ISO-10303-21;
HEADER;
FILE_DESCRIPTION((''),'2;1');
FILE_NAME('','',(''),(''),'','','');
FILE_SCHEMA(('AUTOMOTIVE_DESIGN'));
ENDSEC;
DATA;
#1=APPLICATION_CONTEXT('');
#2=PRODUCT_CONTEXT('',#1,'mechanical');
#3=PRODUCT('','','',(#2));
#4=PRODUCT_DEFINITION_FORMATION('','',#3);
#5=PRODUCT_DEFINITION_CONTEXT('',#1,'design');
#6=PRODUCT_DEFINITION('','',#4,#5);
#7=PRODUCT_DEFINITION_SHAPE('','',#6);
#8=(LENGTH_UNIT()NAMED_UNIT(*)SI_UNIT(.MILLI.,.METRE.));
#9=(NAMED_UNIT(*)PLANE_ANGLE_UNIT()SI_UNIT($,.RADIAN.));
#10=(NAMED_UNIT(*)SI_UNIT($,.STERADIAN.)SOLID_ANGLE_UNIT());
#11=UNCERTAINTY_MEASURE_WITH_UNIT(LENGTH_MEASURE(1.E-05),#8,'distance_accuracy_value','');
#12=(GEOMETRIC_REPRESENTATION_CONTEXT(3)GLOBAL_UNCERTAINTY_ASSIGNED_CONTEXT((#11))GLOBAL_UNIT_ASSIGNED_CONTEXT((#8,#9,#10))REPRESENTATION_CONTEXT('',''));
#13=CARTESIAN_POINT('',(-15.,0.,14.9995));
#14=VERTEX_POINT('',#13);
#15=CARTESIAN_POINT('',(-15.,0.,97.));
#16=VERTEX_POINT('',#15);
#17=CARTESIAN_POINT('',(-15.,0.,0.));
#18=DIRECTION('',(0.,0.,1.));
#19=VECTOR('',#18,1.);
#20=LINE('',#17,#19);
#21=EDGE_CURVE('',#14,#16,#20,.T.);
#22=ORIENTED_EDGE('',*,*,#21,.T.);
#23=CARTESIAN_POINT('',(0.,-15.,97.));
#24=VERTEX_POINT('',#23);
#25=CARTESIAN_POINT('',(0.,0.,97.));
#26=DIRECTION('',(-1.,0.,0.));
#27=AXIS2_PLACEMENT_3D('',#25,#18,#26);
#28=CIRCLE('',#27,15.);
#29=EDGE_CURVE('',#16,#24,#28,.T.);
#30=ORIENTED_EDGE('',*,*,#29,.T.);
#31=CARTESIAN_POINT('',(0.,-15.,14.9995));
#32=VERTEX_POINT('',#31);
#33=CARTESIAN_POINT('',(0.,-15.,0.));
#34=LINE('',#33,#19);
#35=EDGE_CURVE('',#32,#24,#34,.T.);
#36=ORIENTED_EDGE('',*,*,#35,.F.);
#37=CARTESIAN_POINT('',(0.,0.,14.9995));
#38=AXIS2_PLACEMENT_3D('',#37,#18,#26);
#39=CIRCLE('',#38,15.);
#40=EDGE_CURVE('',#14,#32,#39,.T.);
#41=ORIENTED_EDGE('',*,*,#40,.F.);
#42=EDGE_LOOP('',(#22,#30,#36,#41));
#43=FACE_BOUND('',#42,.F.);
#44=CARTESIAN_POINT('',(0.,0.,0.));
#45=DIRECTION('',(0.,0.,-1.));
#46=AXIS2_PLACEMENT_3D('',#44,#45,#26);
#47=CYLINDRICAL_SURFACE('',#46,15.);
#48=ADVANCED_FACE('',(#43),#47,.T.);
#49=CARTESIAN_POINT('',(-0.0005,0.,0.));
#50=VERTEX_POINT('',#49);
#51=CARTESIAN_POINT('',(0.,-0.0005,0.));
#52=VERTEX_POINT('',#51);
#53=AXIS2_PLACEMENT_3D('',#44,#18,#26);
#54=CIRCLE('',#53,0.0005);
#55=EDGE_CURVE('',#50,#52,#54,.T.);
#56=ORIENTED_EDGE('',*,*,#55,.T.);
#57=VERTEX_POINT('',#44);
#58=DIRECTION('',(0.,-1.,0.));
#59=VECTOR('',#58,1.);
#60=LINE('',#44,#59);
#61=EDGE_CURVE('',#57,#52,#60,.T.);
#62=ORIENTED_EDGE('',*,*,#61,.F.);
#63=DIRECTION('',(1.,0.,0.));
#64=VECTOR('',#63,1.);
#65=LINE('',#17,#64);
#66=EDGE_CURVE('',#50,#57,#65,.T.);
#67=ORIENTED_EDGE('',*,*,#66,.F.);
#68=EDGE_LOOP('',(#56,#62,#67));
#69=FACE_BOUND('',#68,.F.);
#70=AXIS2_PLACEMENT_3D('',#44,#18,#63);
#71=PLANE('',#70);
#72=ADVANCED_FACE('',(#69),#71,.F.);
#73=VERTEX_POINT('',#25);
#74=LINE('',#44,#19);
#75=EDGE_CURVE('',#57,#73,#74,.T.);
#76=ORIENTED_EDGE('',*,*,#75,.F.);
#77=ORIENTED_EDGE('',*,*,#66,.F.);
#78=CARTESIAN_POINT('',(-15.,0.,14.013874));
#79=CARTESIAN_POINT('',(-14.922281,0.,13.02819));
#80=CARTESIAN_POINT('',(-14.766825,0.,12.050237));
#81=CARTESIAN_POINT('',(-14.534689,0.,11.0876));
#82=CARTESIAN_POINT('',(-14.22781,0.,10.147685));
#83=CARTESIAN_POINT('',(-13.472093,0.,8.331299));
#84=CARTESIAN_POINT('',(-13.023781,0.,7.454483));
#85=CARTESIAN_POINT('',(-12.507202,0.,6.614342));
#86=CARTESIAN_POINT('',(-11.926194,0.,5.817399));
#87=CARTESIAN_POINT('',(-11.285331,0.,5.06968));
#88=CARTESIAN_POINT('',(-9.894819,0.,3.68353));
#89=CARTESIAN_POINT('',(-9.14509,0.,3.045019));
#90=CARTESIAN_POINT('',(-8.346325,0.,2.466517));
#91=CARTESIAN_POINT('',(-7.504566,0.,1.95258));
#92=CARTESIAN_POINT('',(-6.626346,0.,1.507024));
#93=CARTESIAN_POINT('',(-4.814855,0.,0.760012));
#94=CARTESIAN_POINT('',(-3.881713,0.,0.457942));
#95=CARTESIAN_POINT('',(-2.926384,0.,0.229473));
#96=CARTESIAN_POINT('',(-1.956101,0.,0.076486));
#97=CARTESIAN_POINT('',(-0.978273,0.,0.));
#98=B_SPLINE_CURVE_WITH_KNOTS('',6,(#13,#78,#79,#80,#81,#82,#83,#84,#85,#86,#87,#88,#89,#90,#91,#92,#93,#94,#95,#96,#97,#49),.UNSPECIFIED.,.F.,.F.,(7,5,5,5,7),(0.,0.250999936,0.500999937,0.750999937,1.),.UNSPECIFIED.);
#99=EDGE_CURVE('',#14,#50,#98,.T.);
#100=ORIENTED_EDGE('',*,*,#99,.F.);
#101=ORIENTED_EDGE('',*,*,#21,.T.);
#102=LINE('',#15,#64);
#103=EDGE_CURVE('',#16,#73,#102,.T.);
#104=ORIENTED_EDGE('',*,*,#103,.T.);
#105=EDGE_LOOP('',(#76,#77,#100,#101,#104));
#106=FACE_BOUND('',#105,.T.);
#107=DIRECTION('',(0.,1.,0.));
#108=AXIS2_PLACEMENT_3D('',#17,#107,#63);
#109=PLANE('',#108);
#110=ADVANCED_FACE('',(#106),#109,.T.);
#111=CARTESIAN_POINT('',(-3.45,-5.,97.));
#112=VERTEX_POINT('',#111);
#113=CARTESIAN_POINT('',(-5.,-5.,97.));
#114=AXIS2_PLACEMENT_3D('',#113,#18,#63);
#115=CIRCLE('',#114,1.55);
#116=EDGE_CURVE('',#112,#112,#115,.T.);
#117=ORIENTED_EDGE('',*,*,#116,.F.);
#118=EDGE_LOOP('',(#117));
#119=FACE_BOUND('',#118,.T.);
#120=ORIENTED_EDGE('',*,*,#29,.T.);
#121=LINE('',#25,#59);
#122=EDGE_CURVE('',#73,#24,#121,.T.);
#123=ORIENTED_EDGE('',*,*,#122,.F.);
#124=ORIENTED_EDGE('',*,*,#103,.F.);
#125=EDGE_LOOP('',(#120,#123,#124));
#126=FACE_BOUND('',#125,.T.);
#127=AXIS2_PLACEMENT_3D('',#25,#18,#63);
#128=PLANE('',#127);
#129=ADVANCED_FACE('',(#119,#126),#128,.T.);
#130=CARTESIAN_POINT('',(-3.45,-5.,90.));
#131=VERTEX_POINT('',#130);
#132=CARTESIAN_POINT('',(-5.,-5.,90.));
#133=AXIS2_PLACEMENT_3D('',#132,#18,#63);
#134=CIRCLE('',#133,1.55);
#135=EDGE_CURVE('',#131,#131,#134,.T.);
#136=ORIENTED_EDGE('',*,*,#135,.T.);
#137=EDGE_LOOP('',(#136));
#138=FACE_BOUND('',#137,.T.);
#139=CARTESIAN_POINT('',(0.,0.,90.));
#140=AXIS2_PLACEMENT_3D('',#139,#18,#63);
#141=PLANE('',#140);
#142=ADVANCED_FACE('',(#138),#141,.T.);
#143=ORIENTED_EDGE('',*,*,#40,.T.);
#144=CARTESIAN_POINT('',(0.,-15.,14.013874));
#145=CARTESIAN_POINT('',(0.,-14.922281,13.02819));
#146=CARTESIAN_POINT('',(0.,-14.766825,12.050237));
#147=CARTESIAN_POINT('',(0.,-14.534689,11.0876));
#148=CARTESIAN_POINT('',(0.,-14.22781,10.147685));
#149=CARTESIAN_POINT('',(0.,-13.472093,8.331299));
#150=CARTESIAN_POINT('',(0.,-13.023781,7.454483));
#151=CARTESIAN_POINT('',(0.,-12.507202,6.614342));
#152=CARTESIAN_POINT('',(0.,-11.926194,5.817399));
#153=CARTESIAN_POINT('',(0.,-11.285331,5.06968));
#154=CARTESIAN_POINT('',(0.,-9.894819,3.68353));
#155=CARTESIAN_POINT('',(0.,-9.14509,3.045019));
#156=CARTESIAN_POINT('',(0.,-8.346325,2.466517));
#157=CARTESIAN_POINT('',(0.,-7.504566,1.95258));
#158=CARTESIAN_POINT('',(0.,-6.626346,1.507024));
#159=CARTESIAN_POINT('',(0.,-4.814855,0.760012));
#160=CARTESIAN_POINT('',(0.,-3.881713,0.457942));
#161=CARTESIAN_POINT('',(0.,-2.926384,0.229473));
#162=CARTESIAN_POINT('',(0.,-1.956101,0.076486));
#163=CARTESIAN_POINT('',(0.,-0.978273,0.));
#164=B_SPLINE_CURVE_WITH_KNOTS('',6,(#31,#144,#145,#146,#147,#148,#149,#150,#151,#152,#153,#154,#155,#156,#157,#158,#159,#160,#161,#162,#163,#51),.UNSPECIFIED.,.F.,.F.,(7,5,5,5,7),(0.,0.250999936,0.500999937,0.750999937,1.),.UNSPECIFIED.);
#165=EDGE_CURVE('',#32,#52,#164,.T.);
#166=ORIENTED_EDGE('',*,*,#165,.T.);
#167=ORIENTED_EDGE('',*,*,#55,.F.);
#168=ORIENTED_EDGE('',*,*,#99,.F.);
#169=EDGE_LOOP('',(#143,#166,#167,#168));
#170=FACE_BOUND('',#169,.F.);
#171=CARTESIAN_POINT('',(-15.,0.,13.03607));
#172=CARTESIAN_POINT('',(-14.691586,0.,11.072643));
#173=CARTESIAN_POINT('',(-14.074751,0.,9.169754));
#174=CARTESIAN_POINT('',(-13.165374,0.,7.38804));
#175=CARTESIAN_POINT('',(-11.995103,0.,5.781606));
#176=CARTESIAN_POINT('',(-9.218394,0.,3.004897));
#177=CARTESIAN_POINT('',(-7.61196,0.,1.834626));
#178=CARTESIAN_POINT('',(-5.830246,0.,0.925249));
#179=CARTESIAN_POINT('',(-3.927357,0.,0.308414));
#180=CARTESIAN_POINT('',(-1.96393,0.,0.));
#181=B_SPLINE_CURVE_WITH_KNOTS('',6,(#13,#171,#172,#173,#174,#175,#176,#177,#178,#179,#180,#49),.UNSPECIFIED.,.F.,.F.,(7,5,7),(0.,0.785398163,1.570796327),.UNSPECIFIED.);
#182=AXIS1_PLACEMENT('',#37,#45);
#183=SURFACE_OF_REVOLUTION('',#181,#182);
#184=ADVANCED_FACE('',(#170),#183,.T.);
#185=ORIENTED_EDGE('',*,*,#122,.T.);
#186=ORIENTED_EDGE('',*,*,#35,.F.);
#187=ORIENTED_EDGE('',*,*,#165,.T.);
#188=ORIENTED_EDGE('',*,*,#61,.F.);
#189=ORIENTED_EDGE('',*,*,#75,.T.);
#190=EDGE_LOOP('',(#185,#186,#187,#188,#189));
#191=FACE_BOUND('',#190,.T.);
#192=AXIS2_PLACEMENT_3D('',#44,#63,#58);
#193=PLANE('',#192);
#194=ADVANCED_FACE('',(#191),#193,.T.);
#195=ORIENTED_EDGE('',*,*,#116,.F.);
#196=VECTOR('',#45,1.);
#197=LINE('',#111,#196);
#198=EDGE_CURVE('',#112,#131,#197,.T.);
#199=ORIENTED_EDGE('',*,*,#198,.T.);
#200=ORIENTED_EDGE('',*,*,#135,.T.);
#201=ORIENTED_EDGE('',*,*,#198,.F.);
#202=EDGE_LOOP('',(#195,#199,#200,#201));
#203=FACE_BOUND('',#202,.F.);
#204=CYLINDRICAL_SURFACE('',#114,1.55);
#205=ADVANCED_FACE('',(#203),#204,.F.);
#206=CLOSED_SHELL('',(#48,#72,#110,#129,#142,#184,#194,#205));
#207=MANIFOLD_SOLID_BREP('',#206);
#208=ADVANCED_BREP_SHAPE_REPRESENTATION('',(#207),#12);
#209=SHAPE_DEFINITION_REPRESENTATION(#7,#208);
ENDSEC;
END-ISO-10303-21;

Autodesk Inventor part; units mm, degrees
ref_plane "YZ Plane" through (0, 0, 0) normal (1, 0, 0) x (0, 1, 0)
ref_plane "XZ Plane" through (0, 0, 0) normal (0, 1, 0) x (-1, 0, 0)
ref_plane "XY Plane" through (0, 0, 0) normal (0, 0, 1) x (1, 0, 0)
sketch "Эскиз1" plane through (0, 0, 0) normal (0, 0, 1) x (1, 0, 0)
  arc A0 (-15, 0) -> (0, -15) centre (0, 0) ccw
  line L0 (-15, 0) -> (0, 0)
  line L1 (0, 0) -> (0, -15)
  dimension "d0" = 30
extrude "Выдавливание1" add sketch "Эскиз1" along normal blind 97
fillet "Сопряжение1" radius 15 1 edges at (-10.6066, -10.6066, 0)
sketch "Эскиз2" plane through (0, 0, 97) normal (0, 0, 1) x (1, 0, 0)
  circle A0 centre (-5, -5) radius 1.55
  line L0 (0, 0) -> (-15, 0) projected
  line L1 (0, -15) -> (0, 0) projected
  dimension "d4" = 3.1
  dimension "d5" = 5
  dimension "d6" = 5
extrude "Выдавливание2" cut sketch "Эскиз2" against normal blind 7
properties part number "уголок насу"
